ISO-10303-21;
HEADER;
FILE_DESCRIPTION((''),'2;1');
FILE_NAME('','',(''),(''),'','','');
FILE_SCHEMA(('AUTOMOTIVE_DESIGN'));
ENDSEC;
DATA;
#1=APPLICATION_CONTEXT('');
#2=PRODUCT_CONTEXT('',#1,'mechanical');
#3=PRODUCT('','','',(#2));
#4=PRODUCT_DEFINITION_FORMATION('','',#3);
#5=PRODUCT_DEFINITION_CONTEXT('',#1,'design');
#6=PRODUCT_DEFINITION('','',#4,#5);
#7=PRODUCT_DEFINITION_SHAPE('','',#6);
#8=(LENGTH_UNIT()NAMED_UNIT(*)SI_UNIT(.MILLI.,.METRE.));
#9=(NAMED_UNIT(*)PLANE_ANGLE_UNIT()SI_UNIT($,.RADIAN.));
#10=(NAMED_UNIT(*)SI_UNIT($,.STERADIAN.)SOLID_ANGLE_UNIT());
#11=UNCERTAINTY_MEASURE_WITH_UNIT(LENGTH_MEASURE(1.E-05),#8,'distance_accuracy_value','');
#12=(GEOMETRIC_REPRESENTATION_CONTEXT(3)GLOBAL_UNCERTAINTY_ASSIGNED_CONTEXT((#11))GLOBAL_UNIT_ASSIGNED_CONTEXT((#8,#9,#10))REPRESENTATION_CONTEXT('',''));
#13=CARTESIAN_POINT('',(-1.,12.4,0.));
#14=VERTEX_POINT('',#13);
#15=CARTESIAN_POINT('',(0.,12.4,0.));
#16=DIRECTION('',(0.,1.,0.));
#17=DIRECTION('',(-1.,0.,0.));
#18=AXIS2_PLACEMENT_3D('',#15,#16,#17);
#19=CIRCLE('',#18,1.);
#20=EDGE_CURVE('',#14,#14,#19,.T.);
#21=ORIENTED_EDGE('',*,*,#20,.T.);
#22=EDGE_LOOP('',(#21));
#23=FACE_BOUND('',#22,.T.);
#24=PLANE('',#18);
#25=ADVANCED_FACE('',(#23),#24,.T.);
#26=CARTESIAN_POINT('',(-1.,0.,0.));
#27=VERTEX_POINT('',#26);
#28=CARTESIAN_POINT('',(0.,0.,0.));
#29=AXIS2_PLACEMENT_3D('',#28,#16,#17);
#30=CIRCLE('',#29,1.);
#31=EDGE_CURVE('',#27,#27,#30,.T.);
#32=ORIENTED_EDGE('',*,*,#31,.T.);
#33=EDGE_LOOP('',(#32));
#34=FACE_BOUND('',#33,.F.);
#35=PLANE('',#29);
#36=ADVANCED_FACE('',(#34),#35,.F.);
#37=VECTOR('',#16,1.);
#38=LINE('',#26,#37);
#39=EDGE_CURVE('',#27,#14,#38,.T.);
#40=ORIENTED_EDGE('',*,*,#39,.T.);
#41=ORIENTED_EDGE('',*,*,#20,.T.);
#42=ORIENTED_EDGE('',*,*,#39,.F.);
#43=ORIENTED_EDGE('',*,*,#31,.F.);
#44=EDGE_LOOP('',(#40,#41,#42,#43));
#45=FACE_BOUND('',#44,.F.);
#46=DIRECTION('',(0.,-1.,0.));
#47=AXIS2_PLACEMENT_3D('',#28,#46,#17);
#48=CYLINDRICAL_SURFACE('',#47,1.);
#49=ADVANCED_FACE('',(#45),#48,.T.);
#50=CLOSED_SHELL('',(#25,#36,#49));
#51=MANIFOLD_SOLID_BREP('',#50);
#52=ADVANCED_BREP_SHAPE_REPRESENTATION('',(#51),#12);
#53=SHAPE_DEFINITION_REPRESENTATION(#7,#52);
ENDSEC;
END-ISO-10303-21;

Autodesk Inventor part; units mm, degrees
ref_plane "YZ Plane" through (0, 0, 0) normal (1, 0, 0) x (0, 1, 0)
ref_plane "XZ Plane" through (0, 0, 0) normal (0, 1, 0) x (-1, 0, 0)
ref_plane "XY Plane" through (0, 0, 0) normal (0, 0, 1) x (1, 0, 0)
sketch "Эскиз1" plane through (0, 0, 0) normal (0, 1, 0) x (-1, 0, 0)
  circle A0 centre (0, 0) radius 1
  dimension "d0" = 2
extrude "Выдавливание1" add sketch "Эскиз1" along normal blind 12.4
properties part number "Ось 2мм рулевой сервы"
